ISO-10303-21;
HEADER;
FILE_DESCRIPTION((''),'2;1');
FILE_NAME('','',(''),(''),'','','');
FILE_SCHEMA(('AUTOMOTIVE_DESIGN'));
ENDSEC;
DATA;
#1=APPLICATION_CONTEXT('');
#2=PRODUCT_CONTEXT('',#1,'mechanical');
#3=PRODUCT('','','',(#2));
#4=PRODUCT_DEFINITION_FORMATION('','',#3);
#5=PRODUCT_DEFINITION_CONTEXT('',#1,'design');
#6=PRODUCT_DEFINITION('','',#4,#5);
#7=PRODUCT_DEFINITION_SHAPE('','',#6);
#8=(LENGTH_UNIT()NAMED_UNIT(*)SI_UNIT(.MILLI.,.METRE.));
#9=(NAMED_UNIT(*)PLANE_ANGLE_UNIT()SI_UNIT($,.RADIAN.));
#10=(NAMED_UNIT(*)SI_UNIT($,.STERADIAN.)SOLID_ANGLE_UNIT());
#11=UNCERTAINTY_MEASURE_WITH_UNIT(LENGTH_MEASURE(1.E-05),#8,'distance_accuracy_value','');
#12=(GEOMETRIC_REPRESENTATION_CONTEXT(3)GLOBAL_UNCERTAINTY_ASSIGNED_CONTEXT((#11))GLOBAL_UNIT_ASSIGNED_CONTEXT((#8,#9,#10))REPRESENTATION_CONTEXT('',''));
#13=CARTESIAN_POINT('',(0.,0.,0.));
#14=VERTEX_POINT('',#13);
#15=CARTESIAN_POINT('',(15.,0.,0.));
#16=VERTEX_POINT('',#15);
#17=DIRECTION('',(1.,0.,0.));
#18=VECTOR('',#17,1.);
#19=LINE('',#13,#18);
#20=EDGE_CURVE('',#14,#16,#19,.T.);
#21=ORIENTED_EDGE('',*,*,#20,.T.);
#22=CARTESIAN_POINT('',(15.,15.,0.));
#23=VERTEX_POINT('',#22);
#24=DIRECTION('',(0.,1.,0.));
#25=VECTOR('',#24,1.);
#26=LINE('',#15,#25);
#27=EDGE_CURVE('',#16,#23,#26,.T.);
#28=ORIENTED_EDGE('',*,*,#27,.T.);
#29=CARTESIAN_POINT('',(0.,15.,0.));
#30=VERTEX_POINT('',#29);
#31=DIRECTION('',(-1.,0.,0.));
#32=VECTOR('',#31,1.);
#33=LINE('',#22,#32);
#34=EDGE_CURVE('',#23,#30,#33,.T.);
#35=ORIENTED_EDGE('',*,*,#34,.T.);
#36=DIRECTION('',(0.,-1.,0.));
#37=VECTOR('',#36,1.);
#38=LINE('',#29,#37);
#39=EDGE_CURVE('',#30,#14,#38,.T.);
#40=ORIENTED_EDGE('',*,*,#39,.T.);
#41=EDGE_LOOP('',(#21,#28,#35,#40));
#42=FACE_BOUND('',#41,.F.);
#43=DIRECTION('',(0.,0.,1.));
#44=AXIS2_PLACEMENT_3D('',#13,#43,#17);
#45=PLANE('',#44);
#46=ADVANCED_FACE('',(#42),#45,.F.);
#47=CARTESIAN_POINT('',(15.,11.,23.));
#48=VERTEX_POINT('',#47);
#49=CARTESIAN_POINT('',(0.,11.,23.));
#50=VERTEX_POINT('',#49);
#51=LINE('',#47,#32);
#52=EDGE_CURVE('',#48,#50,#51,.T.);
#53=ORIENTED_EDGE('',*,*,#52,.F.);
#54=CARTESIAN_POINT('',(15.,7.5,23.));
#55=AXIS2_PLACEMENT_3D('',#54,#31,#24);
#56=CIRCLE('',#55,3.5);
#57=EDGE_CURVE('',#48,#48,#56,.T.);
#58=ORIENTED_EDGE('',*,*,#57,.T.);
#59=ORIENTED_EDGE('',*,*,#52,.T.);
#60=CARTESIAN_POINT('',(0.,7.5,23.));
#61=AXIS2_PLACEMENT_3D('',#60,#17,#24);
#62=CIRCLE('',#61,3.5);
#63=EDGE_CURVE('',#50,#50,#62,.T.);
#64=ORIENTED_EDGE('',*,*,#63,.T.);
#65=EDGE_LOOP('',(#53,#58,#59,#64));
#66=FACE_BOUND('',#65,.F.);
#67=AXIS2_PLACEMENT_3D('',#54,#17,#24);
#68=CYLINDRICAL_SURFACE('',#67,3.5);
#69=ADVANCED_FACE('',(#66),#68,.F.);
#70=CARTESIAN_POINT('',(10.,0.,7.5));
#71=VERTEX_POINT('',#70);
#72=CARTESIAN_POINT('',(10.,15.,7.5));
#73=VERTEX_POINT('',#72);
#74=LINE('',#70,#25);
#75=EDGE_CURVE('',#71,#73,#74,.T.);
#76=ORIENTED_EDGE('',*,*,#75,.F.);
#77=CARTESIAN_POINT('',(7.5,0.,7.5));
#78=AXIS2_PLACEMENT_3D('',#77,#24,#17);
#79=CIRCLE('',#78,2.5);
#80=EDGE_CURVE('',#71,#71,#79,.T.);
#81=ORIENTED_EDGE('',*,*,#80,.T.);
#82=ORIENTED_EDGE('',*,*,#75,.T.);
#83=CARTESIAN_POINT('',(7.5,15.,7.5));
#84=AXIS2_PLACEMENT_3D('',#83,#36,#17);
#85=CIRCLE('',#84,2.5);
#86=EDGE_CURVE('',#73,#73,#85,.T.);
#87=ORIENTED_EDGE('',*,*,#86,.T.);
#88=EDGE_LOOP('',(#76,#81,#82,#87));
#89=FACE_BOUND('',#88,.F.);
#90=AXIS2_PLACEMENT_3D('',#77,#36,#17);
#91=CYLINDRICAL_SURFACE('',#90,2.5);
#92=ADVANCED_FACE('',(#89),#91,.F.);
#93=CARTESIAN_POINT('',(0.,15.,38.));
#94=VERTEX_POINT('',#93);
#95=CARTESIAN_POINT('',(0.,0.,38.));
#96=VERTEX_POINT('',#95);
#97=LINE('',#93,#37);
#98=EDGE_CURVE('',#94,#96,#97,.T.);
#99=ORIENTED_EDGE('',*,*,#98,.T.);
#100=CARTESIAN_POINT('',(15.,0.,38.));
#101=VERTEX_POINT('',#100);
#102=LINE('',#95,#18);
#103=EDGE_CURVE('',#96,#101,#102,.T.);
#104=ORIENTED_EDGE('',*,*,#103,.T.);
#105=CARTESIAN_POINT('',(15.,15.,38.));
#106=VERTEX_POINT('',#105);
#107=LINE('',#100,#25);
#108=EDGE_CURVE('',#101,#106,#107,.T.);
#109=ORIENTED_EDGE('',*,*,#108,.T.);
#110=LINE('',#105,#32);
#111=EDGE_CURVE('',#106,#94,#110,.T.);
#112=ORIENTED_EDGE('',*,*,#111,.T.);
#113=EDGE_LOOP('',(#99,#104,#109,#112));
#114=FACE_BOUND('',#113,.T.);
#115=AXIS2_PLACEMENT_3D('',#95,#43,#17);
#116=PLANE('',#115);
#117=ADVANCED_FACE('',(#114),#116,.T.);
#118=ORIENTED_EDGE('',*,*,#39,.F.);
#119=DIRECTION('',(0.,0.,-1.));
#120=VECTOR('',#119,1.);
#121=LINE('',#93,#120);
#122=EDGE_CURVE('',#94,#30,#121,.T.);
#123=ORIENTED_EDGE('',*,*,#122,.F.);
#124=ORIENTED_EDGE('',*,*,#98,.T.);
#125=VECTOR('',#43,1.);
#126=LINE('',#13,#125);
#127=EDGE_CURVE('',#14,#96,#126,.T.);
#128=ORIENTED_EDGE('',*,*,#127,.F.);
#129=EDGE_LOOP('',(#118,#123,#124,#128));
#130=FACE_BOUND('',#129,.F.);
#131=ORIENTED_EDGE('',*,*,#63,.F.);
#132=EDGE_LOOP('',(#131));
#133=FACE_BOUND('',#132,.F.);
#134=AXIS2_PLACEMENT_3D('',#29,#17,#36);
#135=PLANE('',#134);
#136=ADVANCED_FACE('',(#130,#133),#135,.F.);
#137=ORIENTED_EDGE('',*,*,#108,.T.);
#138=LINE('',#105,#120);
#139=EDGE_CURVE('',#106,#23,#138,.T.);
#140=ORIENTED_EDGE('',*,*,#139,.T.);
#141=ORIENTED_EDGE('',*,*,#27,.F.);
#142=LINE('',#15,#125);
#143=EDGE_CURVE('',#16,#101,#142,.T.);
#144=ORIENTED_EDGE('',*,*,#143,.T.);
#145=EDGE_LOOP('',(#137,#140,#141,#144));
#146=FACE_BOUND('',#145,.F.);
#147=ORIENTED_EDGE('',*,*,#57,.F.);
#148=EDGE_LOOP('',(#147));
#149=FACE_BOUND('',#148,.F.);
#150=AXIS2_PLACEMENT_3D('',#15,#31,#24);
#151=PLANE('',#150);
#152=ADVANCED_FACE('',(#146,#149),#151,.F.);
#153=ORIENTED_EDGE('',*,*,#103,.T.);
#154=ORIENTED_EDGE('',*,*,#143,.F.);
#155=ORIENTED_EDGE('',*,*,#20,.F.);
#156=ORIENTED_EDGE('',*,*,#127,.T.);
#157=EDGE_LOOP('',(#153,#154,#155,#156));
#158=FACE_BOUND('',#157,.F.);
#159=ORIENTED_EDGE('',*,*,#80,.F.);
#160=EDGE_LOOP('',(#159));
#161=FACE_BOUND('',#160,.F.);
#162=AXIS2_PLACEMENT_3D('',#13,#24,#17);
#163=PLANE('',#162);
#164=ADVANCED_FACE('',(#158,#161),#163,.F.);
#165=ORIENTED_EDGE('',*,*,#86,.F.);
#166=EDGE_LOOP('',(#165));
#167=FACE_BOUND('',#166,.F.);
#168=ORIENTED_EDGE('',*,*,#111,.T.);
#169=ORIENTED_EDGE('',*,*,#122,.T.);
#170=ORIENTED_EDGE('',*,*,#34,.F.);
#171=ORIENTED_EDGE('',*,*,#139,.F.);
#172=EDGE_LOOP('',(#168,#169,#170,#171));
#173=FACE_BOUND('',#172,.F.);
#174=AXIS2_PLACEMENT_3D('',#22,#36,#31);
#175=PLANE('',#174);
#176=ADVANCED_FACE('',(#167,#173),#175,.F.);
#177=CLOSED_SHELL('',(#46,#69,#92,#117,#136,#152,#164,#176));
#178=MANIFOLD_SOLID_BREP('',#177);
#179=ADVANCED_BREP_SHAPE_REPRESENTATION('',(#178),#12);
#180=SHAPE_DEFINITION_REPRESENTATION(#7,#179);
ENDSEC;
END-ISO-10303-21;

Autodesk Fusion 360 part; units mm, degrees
sketch "Sketch1" plane through (0, 0, 0) normal (0, 0, 1) x (1, 0, 0)
  line L0 (0, 0) -> (15, 0)
  line L1 (15, 0) -> (15, 15)
  line L2 (15, 15) -> (0, 15)
  line L3 (0, 15) -> (0, 0)
  dimension "d1" = 15
  dimension "d2" = 15
extrude "Extrude1" add sketch "Sketch1" along normal blind 35
extrude "Extrude2" add 1 faces at (5, 10, 35) along direction (0, 0, 1) blind 3
sketch "Sketch2" plane through (15, 0, 0) normal (1, 0, 0) x (0, 1, 0)
  line L0 (0, 0) -> (15, 0)
  line L1 (15, 0) -> (15, 38)
  line L2 (15, 38) -> (0, 38)
  line L3 (0, 38) -> (0, 0)
  line L4 (0, 38) -> (15, 38)
  line L5 (15, 38) -> (15, 35.5)
  line L6 (15, 35.5) -> (0, 35.5)
  line L7 (0, 35.5) -> (0, 38)
  line L8 (0, 35.5) -> (15, 35.5)
  line L9 (15, 35.5) -> (15, 30.5)
  line L10 (15, 30.5) -> (0, 30.5)
  line L11 (0, 30.5) -> (0, 35.5)
  line L12 (0, 30.5) -> (15, 30.5)
  line L13 (15, 30.5) -> (15, 15.5)
  line L14 (15, 15.5) -> (0, 15.5)
  line L15 (0, 15.5) -> (0, 30.5)
  line L16 (0, 30.5) -> (15, 15.5)
  line L17 (15, 30.5) -> (0, 15.5)
  circle A0 centre (7.5, 23) radius 3.5
  dimension "d7" = 2.5
  dimension "d8" = 5
  dimension "d9" = 15
  dimension "d10" = 7
extrude "Extrude3" cut sketch "Sketch2" against normal blind 45 contours L16 L17 A0 | L16 L17 A0 | L16 L17 A0 | L16 L17 A0
sketch "Sketch3" plane through (0, 0, 0) normal (0, -1, 0) x (1, 0, 0)
  line L0 (0, 0) -> (15, 0)
  line L1 (15, 0) -> (15, 38)
  line L2 (15, 38) -> (0, 38)
  line L3 (0, 38) -> (0, 0)
  line L4 (0, 0) -> (15, 0)
  line L5 (15, 0) -> (15, 15)
  line L6 (15, 15) -> (0, 15)
  line L7 (0, 15) -> (0, 0)
  line L8 (0, 15) -> (15, 0)
  line L9 (15, 15) -> (0, 0)
  circle A0 centre (7.5, 7.5) radius 2.5
  dimension "d13" = 15
  dimension "d14" = 15
  dimension "d15" = 5
extrude "Extrude4" cut sketch "Sketch3" against normal blind 45 contours L8 L9 A0 | L8 L9 A0 | L8 L9 A0 | L8 L9 A0
